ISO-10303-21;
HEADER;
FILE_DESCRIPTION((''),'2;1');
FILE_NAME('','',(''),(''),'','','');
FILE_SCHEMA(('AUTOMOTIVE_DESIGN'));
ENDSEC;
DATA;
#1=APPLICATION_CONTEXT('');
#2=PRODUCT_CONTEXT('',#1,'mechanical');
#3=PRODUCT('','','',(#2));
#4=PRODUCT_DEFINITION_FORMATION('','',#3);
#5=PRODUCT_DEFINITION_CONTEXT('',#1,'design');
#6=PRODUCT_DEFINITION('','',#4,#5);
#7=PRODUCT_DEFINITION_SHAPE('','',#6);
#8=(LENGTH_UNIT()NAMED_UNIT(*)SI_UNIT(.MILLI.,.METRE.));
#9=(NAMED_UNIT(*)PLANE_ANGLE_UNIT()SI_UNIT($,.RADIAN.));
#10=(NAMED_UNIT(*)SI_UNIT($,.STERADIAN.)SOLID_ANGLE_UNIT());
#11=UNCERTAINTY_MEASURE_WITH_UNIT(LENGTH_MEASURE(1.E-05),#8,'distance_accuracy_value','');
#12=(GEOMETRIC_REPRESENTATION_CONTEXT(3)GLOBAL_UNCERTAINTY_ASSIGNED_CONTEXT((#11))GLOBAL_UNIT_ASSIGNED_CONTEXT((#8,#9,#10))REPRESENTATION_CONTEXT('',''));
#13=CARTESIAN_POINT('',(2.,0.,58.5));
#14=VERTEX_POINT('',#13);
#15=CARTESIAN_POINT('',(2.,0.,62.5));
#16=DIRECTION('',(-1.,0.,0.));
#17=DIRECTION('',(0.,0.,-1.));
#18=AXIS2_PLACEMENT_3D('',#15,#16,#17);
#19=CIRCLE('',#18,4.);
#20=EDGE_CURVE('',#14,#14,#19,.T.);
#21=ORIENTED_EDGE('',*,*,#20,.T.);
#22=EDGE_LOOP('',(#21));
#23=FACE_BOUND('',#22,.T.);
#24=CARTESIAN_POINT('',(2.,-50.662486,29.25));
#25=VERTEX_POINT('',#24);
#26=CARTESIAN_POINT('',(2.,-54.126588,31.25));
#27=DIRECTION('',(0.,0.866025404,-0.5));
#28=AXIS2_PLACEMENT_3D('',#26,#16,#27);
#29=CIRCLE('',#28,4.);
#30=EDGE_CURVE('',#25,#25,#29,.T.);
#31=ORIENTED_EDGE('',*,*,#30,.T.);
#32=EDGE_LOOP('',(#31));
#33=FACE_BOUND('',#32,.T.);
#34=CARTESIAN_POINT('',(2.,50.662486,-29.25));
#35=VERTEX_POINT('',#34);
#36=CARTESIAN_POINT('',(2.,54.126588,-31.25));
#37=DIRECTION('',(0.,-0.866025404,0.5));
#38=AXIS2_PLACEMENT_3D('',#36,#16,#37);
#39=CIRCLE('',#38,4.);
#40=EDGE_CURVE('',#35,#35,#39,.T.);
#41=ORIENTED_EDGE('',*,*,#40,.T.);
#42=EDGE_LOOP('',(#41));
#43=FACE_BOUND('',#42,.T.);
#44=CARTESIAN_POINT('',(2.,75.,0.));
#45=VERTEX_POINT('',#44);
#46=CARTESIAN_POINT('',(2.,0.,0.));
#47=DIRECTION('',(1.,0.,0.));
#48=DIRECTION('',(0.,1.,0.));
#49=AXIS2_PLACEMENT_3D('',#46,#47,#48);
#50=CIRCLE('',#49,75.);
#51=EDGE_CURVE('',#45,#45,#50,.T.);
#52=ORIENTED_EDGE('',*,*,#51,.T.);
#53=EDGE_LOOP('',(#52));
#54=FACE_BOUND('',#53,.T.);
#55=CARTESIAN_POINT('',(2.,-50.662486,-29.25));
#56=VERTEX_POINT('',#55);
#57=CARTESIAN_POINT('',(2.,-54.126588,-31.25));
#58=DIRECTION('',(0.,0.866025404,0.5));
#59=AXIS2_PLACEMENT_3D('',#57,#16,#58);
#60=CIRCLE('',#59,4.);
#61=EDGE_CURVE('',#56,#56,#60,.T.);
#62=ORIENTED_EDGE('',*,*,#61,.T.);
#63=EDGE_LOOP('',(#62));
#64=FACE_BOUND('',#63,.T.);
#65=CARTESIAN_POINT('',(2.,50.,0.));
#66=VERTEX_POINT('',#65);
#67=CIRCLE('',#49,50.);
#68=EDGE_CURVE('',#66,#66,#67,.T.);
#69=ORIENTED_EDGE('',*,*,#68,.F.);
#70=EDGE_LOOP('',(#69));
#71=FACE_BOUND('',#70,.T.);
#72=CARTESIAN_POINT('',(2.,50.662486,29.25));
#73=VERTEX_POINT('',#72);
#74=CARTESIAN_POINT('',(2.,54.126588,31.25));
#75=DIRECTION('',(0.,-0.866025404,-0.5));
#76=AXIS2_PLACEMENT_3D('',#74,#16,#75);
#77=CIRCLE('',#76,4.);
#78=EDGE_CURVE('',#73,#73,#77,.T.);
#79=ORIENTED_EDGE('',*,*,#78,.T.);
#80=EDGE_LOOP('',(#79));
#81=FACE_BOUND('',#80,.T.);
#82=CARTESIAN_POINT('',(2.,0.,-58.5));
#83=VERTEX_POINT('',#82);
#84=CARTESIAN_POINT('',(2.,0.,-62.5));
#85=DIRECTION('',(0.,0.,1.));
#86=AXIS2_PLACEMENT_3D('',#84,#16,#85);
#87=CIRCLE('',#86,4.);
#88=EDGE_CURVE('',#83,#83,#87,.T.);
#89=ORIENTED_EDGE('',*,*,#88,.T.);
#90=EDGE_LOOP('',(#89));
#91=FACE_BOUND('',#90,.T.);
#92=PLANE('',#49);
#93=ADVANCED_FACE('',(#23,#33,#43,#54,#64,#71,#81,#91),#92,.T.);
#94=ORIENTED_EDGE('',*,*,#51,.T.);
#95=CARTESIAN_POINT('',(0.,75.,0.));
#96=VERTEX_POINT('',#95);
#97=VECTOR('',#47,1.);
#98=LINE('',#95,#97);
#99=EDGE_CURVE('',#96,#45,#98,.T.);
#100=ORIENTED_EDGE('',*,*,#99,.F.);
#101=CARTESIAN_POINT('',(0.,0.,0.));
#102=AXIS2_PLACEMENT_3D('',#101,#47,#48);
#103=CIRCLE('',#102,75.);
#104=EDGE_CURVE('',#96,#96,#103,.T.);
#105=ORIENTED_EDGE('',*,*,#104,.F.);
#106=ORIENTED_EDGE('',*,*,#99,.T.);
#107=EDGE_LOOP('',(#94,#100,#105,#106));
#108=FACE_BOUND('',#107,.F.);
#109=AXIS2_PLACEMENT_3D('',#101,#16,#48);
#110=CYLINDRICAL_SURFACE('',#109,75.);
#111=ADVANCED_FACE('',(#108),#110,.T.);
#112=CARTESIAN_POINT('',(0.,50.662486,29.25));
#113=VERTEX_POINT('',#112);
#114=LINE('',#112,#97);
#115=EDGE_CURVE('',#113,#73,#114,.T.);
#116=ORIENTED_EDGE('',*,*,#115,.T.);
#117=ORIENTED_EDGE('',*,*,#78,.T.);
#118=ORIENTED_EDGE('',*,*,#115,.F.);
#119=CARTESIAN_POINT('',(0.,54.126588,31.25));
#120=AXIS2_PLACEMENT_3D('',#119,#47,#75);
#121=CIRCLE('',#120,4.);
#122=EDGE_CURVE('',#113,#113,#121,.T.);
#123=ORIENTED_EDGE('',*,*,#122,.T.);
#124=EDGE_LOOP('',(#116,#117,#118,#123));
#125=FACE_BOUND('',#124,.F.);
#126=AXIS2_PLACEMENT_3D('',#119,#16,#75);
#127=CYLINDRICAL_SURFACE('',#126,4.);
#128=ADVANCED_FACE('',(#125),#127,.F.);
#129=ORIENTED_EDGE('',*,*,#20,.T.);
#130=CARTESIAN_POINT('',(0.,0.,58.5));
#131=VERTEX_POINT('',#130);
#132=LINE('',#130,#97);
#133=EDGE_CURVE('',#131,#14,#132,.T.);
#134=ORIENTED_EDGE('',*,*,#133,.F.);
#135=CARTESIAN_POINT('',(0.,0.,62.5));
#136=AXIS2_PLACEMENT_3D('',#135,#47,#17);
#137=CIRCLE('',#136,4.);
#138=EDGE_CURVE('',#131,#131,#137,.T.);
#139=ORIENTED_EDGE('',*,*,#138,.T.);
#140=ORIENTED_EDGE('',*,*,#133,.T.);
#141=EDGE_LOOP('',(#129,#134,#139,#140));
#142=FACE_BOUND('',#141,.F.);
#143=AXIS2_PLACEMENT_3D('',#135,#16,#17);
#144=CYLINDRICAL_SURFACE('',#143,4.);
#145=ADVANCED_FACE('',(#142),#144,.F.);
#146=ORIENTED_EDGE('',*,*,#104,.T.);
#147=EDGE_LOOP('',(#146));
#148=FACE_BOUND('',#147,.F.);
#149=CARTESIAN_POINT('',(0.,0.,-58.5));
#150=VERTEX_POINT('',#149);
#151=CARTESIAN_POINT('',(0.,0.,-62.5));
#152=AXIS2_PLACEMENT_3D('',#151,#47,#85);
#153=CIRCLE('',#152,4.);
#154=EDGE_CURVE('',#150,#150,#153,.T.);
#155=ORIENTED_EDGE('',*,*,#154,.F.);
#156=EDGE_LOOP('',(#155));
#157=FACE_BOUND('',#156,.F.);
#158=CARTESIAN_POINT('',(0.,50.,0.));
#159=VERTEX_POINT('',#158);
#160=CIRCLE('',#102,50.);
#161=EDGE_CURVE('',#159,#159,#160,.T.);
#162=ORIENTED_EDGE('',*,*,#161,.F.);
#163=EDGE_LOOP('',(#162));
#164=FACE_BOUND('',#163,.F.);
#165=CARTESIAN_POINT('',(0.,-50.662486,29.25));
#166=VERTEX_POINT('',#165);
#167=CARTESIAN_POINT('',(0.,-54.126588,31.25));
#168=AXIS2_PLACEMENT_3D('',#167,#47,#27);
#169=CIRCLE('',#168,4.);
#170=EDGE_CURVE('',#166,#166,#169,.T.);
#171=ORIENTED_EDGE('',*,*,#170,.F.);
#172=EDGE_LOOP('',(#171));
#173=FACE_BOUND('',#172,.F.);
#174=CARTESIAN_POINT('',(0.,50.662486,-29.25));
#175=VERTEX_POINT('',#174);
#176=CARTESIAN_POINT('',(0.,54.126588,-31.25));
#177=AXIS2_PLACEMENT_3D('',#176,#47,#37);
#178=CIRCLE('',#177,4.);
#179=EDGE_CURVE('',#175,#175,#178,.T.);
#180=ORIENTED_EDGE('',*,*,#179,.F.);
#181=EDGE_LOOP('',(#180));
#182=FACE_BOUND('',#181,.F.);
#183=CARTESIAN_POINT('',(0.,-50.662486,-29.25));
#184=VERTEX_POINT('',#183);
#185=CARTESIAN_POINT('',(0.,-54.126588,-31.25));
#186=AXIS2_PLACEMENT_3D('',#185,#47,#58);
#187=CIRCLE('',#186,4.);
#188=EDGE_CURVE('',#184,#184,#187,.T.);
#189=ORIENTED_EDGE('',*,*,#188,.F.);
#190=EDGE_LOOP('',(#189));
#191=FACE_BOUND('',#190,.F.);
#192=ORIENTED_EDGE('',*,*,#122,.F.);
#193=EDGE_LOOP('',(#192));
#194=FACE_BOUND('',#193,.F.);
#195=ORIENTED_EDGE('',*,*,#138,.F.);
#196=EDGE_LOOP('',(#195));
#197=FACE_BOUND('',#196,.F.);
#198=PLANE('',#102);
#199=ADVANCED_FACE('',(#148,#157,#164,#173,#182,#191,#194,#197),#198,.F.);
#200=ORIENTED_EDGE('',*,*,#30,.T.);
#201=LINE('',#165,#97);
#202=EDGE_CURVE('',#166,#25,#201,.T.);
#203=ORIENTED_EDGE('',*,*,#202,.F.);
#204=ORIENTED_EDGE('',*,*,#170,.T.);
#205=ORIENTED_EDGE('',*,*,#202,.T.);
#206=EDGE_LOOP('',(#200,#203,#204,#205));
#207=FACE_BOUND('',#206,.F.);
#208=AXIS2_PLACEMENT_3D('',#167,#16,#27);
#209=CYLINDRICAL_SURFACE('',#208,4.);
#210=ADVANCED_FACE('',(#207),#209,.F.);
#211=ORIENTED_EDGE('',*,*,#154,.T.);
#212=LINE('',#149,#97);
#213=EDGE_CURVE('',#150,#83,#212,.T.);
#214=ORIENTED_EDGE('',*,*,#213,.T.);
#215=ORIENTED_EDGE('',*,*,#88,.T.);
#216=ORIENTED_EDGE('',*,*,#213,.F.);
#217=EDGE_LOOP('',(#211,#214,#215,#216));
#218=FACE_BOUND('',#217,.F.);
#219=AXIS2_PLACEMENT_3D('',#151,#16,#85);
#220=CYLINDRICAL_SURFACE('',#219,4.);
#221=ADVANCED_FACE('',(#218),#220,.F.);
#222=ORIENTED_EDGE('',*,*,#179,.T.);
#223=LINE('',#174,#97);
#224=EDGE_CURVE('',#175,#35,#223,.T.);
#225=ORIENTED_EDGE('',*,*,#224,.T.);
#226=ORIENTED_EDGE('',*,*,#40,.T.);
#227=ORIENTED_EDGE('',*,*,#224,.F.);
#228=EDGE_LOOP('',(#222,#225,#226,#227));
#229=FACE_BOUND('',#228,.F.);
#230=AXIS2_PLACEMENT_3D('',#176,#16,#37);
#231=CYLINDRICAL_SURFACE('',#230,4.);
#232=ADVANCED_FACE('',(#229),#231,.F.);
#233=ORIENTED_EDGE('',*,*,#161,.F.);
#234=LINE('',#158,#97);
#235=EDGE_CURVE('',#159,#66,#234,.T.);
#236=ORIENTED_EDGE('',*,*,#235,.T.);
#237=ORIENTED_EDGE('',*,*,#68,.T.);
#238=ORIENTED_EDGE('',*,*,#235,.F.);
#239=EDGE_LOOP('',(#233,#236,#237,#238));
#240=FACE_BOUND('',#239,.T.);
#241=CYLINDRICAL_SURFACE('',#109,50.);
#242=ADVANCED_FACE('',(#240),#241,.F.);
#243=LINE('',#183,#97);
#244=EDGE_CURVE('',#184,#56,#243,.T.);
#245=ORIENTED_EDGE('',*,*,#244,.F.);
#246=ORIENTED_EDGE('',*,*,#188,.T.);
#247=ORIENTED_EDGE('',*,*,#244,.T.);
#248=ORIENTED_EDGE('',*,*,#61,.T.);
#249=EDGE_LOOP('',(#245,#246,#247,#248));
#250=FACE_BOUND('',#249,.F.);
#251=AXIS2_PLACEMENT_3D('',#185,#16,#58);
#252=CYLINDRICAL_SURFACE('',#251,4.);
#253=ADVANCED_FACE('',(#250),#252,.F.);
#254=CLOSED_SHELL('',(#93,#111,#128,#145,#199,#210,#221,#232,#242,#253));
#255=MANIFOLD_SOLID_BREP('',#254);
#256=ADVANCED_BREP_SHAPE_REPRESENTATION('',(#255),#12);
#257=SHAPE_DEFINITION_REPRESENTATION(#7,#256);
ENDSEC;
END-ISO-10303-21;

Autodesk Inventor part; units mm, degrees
ref_plane "YZ Plane" through (0, 0, 0) normal (1, 0, 0) x (0, 1, 0)
ref_plane "XZ Plane" through (0, 0, 0) normal (0, 1, 0) x (-1, 0, 0)
ref_plane "XY Plane" through (0, 0, 0) normal (0, 0, 1) x (1, 0, 0)
sketch "Sketch1" plane through (0, 0, 0) normal (1, 0, 0) x (0, 1, 0)
  circle A0 centre (0, 0) radius 75
  circle A1 centre (0, 0) radius 50
  dimension "d0" = 150
  dimension "d1" = 100
extrude "Extrusion1" add sketch "Sketch1" along normal blind 2
sketch "Sketch2" plane through (0, 0, 0) normal (-1, 0, 0) x (0, 0, 1)
  circle A0 centre (0, 0) radius 75 projected
  line L0 (-75, 0) -> (-50, 0)
  circle A1 centre (0, 0) radius 50 projected
  circle A2 centre (-62.5, 0) radius 4
  dimension "d4" = 8
extrude "Extrusion2" cut sketch "Sketch2" against normal blind 2 contours A2 L0 | L0 A2
pattern_circular "Circular Pattern1" count 6 over 360 about axis through (0, 0, 0) along (1, 0, 0) of "Extrusion2"
properties part number "11_Dem_cua_tham"
